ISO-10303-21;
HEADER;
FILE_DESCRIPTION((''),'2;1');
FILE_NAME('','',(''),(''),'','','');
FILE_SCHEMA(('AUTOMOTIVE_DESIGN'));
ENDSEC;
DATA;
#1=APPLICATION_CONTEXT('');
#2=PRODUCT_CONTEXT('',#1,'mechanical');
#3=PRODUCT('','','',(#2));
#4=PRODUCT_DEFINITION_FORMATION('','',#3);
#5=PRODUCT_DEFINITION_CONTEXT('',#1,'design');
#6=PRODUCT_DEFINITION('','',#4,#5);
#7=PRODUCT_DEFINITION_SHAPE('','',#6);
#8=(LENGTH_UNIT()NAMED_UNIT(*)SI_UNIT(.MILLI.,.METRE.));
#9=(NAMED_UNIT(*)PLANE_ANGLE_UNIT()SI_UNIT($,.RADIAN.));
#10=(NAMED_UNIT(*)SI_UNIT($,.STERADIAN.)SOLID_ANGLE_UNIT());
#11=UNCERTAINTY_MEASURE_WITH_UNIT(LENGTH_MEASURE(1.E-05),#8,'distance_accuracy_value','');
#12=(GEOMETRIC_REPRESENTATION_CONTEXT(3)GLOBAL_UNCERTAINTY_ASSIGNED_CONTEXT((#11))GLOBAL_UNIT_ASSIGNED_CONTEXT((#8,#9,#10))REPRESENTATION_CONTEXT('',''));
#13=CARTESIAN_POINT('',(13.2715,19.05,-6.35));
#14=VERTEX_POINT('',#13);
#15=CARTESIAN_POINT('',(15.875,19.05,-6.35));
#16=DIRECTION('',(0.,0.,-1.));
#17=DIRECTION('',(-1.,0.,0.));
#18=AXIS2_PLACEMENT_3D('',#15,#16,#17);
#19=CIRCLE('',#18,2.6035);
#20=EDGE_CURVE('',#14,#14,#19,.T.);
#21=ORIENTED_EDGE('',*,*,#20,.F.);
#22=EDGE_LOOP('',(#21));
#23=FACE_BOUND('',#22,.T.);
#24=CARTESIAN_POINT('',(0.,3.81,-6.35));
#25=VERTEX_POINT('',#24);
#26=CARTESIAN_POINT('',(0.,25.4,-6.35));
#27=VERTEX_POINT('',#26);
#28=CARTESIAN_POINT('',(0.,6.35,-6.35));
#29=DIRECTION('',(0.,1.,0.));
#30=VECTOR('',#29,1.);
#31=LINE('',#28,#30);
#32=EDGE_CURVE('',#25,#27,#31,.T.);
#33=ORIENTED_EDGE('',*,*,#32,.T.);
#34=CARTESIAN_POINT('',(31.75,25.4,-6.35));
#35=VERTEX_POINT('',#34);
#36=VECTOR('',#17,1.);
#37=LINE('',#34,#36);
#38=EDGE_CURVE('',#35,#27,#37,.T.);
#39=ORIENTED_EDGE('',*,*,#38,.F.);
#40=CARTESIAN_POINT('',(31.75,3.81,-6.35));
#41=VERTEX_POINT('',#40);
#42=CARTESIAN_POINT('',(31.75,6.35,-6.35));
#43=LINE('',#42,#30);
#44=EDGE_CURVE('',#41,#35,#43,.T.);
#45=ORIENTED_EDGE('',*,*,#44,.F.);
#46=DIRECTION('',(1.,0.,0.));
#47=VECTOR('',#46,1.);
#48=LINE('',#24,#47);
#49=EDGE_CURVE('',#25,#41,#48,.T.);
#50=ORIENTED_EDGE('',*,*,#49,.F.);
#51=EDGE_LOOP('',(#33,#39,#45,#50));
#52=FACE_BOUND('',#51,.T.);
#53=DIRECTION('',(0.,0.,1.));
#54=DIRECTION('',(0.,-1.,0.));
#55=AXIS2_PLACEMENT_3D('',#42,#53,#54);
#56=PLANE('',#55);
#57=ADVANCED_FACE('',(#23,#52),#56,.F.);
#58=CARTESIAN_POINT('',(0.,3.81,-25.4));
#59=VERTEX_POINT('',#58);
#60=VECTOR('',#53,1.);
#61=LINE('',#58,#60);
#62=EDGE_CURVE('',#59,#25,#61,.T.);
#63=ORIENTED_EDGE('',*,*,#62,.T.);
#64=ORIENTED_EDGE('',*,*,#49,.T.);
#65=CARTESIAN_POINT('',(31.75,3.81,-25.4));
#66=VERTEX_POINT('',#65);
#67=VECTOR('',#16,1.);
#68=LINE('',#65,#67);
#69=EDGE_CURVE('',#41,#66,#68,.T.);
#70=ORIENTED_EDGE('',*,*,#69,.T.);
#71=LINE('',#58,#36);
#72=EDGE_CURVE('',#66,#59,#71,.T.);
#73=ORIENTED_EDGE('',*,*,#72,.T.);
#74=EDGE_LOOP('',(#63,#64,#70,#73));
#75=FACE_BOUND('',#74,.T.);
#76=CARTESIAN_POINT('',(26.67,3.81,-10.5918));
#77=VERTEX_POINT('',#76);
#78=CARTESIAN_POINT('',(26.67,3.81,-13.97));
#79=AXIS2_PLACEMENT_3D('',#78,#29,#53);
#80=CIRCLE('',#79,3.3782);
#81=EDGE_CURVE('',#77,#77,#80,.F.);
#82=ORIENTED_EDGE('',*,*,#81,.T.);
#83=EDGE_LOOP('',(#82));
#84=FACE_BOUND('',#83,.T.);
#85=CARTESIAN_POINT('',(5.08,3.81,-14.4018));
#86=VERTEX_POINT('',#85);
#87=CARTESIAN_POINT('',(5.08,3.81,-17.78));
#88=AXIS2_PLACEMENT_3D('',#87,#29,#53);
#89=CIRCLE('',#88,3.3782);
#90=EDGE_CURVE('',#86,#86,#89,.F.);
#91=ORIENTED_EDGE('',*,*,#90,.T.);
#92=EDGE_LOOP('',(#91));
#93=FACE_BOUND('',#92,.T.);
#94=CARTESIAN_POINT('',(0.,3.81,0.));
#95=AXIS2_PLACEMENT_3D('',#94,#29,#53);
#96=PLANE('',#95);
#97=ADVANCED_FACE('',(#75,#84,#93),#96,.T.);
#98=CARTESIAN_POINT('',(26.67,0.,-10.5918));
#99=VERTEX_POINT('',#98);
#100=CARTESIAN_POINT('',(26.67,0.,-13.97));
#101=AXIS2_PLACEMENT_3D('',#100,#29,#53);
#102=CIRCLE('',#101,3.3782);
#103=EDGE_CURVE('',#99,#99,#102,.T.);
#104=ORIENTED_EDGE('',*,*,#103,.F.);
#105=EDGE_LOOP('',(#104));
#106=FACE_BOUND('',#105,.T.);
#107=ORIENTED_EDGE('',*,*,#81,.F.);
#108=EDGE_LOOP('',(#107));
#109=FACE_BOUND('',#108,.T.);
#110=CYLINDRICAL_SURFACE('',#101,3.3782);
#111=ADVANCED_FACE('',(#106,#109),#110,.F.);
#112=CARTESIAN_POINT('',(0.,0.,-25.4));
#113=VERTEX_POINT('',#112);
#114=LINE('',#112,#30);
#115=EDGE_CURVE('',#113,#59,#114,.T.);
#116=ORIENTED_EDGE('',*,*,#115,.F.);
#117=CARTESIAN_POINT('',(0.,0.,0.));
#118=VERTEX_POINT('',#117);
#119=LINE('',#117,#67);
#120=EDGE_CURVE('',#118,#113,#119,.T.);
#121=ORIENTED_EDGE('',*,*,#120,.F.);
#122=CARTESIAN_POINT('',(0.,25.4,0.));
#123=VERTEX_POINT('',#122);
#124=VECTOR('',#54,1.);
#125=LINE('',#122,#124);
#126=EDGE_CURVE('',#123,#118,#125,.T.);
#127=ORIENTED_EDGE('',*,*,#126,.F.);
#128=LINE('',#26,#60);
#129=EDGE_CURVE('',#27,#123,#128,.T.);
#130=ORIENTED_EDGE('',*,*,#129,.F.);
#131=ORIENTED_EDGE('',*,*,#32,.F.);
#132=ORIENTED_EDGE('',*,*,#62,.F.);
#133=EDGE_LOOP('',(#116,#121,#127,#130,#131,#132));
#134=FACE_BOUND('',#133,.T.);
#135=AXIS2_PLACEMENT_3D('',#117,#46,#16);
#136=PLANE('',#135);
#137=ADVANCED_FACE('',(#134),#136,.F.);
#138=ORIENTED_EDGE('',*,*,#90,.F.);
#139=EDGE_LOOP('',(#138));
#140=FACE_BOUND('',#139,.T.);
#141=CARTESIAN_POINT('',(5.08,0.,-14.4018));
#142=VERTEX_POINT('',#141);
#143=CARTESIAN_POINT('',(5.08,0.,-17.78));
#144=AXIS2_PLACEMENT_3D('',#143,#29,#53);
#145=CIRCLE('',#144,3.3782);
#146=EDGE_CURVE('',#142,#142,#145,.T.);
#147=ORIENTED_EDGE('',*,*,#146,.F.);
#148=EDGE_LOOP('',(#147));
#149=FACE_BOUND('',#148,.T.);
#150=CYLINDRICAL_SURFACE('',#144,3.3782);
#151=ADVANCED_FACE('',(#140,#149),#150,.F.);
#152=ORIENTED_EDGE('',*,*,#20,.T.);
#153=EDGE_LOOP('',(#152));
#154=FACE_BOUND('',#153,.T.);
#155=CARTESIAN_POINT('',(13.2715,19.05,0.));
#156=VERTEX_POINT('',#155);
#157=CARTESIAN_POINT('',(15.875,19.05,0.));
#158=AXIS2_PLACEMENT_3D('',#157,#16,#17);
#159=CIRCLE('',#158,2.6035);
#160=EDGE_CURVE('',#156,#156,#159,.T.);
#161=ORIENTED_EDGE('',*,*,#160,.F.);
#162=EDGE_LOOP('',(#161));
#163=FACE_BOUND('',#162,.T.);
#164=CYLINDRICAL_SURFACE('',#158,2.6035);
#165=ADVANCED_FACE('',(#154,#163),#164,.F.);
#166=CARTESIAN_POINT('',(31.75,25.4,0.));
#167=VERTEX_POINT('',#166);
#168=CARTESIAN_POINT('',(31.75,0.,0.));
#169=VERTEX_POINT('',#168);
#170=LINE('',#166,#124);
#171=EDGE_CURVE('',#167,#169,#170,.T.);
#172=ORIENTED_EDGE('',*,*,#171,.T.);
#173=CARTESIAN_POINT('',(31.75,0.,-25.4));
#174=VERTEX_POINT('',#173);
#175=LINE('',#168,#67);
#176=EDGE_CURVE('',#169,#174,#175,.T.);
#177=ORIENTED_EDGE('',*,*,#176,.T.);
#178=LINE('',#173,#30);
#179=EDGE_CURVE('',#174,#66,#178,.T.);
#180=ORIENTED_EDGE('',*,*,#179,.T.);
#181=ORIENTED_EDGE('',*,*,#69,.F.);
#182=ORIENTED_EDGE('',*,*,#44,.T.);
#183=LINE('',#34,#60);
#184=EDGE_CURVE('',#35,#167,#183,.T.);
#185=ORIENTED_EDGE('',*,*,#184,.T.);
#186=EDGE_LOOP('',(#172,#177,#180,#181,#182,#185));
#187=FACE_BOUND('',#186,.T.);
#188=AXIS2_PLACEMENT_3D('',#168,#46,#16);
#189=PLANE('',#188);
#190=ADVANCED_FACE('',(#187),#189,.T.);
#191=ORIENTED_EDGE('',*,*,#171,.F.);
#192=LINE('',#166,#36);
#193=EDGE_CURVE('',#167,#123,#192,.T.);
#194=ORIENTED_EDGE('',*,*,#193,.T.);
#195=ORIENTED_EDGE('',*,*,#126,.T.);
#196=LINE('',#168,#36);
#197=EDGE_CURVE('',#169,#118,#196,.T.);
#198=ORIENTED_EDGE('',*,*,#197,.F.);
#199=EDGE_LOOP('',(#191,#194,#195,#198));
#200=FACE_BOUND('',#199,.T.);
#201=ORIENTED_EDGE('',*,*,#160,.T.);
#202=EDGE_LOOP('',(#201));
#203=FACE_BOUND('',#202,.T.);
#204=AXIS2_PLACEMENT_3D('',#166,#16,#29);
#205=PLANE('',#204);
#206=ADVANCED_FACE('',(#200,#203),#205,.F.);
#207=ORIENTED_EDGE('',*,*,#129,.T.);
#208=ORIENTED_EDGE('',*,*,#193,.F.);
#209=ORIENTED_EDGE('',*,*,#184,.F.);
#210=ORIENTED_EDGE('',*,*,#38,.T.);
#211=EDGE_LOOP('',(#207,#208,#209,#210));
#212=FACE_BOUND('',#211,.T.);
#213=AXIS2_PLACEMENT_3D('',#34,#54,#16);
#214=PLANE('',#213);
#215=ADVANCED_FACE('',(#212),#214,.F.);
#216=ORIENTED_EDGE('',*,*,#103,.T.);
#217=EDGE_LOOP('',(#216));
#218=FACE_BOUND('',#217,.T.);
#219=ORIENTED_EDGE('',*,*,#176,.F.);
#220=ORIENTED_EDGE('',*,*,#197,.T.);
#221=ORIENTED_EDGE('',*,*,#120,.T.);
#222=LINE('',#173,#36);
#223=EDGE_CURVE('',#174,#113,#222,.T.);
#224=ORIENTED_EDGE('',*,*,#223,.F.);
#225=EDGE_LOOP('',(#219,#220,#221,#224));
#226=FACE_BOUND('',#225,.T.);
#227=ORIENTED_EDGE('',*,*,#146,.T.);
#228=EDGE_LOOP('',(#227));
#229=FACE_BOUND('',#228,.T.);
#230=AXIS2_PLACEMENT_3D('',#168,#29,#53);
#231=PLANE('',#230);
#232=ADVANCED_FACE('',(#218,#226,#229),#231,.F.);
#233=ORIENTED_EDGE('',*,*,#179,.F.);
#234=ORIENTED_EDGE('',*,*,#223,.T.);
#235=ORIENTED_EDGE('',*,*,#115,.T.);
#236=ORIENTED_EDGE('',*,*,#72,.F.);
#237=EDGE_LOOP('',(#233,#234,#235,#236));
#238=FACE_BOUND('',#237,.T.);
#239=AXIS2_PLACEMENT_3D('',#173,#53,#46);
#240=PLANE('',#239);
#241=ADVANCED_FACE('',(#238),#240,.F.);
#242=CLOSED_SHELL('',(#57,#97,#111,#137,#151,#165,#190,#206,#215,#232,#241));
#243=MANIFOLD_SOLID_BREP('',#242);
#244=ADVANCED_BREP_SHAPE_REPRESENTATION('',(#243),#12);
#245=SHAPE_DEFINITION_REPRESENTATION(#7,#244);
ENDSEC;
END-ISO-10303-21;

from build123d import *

# Parameters (mm, degrees)
BOSS_EXTRUDE1_DEPTH = 31.75
SKETCH3_R           = 2.6035
CUT_EXTRUDE1_DEPTH  = 45.901280605
SKETCH4_R           = 3.3782
CUT_EXTRUDE2_DEPTH  = 45.901280605
SKETCH5_W           = 31.75
SKETCH5_H           = 19.05
CUT_EXTRUDE3_DEPTH  = 2.54


with BuildPart() as part:
    # Sketch2 → Boss-Extrude1 (new body)
    with BuildSketch(Plane(origin=(0, 0, 0), x_dir=(0, 0, -1), z_dir=(1, 0, 0))):
        Polygon((0, 0), (25.4, 0), (25.4, 6.35), (6.35, 6.35), (6.35, 25.4), (0, 25.4), align=None)
    extrude(amount=BOSS_EXTRUDE1_DEPTH)

    # Sketch3 → Cut-Extrude1 (cut, through all)
    with BuildSketch(Plane(origin=(0, 0, -6.35), x_dir=(-1, 0, 0), z_dir=(0, 0, -1))):
        with Locations((-15.875, 19.05)):
            Circle(SKETCH3_R)
    extrude(amount=-CUT_EXTRUDE1_DEPTH, mode=Mode.SUBTRACT)

    # Sketch4 → Cut-Extrude2 (cut, through all)
    with BuildSketch(Plane(origin=(0, 6.35, 0), x_dir=(1, 0, 0), z_dir=(0, 1, 0))):
        with Locations(Location((5.08, 17.78, 0), (0, 0, 270))):
            Circle(SKETCH4_R)
        with Locations(Location((26.67, 13.97, 0), (0, 0, 270))):
            Circle(SKETCH4_R)
    extrude(amount=-CUT_EXTRUDE2_DEPTH, mode=Mode.SUBTRACT)

    # Sketch5 → Cut-Extrude3 (cut)
    with BuildSketch(Plane(origin=(0, 6.35, 0), x_dir=(1, 0, 0), z_dir=(0, 1, 0))):
        with Locations((15.875, 15.875)):
            Rectangle(SKETCH5_W, SKETCH5_H)
    extrude(amount=-CUT_EXTRUDE3_DEPTH, mode=Mode.SUBTRACT)


solid = part.part
